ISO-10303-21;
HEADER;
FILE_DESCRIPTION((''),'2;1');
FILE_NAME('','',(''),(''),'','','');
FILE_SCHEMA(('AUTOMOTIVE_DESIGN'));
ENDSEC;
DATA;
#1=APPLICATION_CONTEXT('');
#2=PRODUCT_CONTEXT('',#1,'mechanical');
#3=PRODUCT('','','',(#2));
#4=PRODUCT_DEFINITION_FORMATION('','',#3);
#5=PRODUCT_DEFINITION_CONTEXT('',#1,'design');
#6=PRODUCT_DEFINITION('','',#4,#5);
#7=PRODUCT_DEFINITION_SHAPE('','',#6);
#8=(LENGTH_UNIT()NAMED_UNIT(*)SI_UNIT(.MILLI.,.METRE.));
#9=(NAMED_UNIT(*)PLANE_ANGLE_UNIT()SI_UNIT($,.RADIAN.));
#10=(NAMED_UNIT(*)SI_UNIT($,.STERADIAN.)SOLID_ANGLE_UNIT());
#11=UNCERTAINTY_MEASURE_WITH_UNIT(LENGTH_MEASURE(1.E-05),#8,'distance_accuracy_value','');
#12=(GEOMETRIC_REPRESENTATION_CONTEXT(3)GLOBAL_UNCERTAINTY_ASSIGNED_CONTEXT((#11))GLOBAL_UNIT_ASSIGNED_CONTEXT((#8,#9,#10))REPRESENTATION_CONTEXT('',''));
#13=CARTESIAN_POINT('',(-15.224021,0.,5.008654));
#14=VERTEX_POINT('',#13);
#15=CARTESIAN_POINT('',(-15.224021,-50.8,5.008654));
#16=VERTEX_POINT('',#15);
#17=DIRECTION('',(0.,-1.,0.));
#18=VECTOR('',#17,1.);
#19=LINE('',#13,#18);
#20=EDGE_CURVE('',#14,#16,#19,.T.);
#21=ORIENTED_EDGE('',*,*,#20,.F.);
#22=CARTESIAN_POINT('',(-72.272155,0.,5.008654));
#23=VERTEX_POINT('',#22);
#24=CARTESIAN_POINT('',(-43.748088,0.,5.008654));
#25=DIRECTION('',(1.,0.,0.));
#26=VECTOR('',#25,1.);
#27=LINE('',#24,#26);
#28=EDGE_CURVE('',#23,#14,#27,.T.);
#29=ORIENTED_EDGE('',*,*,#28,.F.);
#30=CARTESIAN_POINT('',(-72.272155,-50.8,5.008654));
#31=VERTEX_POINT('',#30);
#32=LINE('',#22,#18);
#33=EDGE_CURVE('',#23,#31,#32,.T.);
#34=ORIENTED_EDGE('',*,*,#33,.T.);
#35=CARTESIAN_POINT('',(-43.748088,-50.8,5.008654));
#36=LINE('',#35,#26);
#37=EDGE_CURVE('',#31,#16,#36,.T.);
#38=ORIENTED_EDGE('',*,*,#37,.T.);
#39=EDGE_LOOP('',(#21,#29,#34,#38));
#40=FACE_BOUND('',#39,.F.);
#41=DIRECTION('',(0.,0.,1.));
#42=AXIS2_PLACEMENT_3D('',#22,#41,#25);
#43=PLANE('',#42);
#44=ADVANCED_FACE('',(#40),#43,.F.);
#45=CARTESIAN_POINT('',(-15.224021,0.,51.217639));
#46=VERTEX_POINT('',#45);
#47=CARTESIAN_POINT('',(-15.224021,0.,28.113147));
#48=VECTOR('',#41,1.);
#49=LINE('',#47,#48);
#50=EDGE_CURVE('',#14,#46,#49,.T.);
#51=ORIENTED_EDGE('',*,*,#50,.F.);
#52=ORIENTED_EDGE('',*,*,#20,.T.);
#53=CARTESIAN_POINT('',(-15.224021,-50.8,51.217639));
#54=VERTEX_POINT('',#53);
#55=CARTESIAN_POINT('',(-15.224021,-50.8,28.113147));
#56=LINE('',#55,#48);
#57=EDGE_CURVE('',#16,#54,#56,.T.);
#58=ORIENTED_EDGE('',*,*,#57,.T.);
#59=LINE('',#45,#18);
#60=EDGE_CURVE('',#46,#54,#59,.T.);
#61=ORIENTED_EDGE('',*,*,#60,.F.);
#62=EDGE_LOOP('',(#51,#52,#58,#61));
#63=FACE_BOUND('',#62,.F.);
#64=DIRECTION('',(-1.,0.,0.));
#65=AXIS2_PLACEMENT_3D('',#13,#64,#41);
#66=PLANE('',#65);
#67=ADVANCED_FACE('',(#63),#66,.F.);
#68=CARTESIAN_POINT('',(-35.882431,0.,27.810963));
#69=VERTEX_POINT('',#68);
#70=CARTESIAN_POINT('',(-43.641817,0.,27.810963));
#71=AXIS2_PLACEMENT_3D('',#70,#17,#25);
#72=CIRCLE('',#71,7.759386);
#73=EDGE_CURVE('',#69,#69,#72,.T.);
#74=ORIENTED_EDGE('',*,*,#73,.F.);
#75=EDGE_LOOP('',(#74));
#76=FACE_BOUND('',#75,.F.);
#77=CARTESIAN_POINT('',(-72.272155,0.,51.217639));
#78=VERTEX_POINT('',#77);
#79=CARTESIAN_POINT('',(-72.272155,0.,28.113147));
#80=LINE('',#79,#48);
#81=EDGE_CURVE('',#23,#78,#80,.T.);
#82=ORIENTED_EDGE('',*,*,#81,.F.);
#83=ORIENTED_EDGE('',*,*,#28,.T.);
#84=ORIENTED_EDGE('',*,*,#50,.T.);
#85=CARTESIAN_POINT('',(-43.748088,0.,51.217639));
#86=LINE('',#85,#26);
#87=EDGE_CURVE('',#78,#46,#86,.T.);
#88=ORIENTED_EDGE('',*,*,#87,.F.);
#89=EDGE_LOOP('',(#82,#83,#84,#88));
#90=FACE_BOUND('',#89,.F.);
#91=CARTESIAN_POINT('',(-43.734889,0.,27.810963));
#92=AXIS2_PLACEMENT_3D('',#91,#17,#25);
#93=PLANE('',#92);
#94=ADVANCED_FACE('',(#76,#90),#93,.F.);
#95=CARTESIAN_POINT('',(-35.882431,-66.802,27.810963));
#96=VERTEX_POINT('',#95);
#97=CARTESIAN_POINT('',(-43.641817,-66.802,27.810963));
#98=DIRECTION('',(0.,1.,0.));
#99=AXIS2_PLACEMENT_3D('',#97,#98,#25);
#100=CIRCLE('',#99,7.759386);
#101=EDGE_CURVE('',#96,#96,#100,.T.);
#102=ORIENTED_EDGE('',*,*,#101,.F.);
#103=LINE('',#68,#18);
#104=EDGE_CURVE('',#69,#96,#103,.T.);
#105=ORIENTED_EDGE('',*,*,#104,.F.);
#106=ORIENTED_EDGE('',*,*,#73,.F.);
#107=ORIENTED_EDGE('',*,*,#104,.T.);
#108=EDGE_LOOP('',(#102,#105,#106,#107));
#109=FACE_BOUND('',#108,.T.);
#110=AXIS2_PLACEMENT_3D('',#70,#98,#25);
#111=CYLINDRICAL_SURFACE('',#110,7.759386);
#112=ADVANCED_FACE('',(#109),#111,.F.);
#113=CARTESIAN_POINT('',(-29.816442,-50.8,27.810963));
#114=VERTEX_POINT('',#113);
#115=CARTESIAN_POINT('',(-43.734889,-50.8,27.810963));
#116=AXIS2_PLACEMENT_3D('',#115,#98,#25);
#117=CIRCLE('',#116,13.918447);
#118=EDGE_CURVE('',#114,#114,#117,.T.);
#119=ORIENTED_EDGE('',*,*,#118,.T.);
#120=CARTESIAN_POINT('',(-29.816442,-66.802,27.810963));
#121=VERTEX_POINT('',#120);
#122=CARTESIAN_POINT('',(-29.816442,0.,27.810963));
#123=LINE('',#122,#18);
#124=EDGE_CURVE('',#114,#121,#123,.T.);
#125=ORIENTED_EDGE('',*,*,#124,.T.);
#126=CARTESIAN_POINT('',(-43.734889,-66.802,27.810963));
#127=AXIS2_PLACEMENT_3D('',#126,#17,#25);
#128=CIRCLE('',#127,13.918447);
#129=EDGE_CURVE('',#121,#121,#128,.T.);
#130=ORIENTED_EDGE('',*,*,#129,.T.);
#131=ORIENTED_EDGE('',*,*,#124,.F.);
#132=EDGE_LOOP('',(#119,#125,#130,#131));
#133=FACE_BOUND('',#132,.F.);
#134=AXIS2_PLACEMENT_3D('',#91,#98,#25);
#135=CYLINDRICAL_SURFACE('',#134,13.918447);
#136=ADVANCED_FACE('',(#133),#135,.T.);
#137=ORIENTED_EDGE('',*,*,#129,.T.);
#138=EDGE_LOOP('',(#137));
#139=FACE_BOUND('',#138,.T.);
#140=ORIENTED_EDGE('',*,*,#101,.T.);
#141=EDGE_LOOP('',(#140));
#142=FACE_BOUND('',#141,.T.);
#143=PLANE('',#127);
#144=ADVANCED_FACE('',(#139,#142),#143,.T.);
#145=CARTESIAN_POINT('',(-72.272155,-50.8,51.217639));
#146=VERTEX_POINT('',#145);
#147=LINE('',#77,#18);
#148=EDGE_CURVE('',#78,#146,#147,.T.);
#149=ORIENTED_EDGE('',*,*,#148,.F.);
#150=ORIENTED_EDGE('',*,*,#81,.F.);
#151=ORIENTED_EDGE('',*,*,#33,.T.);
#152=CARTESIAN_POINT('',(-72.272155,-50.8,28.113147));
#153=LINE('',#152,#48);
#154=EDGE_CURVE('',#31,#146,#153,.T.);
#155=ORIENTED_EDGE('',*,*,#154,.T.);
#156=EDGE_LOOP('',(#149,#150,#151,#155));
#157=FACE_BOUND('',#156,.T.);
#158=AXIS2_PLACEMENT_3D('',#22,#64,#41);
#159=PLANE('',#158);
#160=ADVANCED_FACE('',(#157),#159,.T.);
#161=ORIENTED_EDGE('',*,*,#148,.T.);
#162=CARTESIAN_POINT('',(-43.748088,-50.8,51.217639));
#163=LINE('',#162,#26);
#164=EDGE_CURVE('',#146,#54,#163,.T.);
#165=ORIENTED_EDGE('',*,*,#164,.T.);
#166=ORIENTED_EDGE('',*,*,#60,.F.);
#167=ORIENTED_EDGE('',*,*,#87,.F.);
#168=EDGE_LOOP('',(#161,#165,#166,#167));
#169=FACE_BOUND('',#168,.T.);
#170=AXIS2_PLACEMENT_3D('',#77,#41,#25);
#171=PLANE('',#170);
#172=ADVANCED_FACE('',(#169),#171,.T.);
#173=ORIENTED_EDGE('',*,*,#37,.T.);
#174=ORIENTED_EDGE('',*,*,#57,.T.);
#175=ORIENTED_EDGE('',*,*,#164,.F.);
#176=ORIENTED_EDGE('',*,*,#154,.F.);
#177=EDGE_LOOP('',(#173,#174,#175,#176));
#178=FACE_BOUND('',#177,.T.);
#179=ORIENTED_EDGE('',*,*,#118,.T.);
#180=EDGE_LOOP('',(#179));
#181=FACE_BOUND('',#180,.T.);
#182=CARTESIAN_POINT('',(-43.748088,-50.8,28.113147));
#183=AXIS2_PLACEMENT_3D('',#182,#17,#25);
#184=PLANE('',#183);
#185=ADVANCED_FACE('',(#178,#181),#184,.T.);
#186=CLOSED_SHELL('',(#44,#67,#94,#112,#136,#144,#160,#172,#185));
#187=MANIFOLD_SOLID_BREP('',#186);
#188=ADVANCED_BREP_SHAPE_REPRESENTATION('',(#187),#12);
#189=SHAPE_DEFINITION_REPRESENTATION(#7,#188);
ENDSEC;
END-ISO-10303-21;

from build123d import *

# Parameters (mm, degrees)
F0_W     = 57.048134
F0_H     = 46.208985
F1_DEPTH = 50.8
F2_R     = 13.918447
F3_DEPTH = 66.802
F4_R     = 7.759386
F5_DEPTH = 66.803


with BuildPart() as f1:
    # F0 (on Front) → F1 (new body)
    with BuildSketch(Plane.XZ):
        with Locations((-43.748088, 28.113147)):
            Rectangle(F0_W, F0_H)
    extrude(amount=F1_DEPTH)

    # F2 (on Front) → F3 (join)
    with BuildSketch(Plane.XZ):
        with Locations((-43.734889, 27.810963)):
            Circle(F2_R)
    extrude(amount=F3_DEPTH)

    # F4 (on Front) → F5 (cut, through all)
    with BuildSketch(Plane.XZ):
        with Locations((-43.641817, 27.810963)):
            Circle(F4_R)
    extrude(amount=F5_DEPTH, mode=Mode.SUBTRACT)


solid = f1.part
